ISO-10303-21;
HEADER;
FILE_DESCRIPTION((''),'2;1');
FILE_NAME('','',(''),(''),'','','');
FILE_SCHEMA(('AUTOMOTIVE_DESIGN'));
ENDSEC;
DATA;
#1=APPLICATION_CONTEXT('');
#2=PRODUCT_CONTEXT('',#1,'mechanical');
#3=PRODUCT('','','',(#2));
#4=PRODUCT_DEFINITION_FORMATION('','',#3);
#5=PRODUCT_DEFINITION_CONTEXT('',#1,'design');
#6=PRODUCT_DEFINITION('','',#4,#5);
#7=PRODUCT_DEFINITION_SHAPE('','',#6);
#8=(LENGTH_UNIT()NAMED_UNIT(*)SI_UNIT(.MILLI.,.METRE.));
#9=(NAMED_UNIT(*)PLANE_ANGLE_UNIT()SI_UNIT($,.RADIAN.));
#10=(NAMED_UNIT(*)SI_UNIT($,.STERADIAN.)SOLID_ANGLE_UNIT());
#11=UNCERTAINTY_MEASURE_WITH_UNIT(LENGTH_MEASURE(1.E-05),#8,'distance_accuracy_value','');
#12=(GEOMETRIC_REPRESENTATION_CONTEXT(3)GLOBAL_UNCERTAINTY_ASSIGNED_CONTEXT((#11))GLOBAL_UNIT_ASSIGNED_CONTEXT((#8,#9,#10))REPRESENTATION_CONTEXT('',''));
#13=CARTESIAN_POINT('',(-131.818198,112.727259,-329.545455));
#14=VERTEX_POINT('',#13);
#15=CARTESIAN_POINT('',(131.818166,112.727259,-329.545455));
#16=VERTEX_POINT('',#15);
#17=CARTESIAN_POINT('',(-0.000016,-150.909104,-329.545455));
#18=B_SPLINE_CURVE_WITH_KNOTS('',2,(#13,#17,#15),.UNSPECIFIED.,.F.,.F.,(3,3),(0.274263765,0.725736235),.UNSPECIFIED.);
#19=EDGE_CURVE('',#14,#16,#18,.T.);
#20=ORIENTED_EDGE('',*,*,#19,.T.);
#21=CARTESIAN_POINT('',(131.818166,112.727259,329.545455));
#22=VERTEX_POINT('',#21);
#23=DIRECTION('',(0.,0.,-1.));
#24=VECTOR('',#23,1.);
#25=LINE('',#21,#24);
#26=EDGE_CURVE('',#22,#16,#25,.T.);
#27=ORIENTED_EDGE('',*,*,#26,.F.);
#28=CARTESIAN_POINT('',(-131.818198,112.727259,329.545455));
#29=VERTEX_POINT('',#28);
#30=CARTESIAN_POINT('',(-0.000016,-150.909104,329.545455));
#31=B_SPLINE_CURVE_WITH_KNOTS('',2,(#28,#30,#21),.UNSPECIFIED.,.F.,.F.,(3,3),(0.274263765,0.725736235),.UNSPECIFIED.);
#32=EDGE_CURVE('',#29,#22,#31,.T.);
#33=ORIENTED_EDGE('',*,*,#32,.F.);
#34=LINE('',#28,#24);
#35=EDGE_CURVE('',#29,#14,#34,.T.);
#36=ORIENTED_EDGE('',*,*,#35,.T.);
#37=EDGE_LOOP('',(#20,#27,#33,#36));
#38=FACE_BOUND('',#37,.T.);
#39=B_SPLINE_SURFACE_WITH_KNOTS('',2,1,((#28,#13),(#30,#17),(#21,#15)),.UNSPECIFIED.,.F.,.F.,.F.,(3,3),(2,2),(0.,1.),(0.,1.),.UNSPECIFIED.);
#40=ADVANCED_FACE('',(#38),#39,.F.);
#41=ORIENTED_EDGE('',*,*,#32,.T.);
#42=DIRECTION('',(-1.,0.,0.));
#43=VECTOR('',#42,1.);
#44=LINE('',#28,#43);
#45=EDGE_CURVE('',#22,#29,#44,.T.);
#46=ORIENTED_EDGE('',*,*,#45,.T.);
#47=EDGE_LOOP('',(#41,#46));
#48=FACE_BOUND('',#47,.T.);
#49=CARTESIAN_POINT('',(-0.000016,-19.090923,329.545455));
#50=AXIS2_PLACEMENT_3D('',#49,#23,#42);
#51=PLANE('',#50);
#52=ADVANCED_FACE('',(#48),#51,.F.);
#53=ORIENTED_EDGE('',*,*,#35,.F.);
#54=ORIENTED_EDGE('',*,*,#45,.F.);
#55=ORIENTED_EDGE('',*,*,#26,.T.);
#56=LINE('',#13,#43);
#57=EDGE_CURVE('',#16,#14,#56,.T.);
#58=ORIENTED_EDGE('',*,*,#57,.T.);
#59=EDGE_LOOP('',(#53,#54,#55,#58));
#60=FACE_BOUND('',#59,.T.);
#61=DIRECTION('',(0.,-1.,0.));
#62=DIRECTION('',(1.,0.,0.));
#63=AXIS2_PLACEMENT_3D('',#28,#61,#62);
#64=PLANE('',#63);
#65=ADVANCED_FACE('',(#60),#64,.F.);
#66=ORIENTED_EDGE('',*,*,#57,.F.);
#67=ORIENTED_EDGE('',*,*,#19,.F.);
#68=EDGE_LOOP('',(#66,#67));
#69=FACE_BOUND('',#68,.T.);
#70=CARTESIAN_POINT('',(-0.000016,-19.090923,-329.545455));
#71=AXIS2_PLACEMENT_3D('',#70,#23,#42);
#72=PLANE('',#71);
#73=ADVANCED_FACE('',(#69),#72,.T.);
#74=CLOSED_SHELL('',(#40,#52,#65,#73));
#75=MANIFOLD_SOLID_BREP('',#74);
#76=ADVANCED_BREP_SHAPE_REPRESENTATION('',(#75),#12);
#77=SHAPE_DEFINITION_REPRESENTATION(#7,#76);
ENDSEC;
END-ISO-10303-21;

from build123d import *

# Parameters (mm, degrees)
SCALE1_SCALE = 1.318181818


with BuildPart() as part:
    # Sweep1: sweep along a path in Sketch2
    with BuildLine(Plane(origin=(0, 0, 0), x_dir=(0, 0, -1), z_dir=(1, 0, 0))) as sweep1_path:
        Line((250, 0), (-250, 0))
    # Sketch1 → Sweep1 (sweep)
    with BuildSketch(Plane.XY):
        with BuildLine():
            Line((-100, 100), (100, 100))
            add(Edge.make_bspline(
                [(-100, 100), (0, -100), (100, 100)],
                knots=[0.274263765, 0.274263765, 0.274263765, 0.725736235, 0.725736235, 0.725736235], degree=2))
        make_face()
    sweep(path=sweep1_path.line)


with BuildPart() as part_1:
    # Scale1: scaled about (0, 60, 0)
    add(part.part.scale(SCALE1_SCALE).moved(Location((0, -19.090909091, 0))))


solid = part_1.part
